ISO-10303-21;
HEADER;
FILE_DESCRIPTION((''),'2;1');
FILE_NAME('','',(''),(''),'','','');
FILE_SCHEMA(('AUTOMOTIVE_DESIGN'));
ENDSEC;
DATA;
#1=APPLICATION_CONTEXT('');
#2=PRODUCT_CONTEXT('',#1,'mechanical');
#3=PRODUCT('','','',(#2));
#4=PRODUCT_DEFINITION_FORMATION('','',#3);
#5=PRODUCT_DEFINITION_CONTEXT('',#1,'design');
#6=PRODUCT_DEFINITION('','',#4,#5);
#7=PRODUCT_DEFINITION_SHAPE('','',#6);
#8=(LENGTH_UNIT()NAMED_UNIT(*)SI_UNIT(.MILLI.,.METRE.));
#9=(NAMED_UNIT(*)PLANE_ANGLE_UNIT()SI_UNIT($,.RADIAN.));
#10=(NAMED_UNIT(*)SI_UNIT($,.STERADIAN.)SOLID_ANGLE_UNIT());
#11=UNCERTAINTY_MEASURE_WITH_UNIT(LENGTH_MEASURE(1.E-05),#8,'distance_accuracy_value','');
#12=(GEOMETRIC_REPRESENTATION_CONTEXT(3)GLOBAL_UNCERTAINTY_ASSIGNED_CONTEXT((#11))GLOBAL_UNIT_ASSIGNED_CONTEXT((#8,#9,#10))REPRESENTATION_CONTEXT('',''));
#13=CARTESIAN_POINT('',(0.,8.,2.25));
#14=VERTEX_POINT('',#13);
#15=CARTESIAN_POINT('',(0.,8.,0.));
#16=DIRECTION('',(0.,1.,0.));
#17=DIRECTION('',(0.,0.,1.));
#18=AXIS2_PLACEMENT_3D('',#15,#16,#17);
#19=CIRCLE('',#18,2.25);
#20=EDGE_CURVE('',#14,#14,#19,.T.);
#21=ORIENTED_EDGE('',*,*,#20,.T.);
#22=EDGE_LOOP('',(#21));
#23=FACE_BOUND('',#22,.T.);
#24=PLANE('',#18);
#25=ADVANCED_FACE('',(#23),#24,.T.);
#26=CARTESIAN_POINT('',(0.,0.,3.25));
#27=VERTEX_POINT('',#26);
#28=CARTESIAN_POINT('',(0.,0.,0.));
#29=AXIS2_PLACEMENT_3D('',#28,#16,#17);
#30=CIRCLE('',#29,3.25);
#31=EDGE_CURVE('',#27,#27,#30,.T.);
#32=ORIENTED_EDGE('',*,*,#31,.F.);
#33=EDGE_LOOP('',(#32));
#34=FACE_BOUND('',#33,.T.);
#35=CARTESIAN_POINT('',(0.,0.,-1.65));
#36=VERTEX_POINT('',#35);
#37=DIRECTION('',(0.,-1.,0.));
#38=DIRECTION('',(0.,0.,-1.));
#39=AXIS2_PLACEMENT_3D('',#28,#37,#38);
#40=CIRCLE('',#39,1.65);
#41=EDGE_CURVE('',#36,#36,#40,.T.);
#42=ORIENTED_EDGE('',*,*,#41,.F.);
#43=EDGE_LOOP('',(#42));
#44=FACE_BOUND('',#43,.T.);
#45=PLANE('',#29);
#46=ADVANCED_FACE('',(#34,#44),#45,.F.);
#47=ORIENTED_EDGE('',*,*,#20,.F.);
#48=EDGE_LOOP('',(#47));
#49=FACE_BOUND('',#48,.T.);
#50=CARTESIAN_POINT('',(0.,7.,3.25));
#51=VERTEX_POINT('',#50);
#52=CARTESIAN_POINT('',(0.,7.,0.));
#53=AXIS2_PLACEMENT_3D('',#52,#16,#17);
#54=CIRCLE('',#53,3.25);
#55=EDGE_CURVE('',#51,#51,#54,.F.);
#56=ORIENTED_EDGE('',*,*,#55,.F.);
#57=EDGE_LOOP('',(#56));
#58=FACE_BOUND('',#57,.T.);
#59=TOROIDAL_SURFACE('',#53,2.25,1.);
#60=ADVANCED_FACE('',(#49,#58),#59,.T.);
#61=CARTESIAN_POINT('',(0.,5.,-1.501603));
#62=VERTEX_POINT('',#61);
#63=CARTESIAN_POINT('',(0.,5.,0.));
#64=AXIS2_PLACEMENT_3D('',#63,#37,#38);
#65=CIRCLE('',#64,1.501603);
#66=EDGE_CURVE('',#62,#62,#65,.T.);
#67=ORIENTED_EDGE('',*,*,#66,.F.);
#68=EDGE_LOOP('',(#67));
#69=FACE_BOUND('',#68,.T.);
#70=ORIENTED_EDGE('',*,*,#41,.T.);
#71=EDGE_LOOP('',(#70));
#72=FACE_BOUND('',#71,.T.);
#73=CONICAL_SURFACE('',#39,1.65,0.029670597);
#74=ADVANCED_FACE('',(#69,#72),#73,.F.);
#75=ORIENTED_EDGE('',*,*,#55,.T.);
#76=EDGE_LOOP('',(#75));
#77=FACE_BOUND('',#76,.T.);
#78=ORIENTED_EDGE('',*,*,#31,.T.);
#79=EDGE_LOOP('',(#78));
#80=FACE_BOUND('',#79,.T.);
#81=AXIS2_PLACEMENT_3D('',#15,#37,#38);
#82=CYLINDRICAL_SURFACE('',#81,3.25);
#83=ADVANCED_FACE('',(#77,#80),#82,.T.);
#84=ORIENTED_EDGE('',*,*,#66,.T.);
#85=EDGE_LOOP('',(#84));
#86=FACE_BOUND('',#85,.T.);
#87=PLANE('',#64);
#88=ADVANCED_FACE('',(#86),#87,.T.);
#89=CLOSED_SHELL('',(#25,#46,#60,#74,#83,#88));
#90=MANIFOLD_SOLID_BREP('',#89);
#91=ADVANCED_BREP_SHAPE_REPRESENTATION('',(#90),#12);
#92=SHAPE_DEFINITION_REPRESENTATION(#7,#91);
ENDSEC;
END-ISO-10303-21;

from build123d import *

# Parameters (mm, degrees)
SKETCH1_R           = 3.25
BOSS_EXTRUDE1_DEPTH = 8
FILLET1_R           = 1
SKETCH2_R           = 1.65
CUT_EXTRUDE1_DEPTH  = 5
CUT_EXTRUDE1_DRAFT  = -1.7


with BuildPart() as part:
    # Sketch1 → Boss-Extrude1 (new body)
    with BuildSketch(Plane(origin=(0, 0, 0), x_dir=(1, 0, 0), z_dir=(0, 1, 0))):
        with Locations(Location((0, 0, 0), (0, 0, 270))):
            Circle(SKETCH1_R)
    extrude(amount=BOSS_EXTRUDE1_DEPTH)

    # Fillet1
    fillet1_edges = [part.edges().sort_by_distance(p)[0] for p in [
        (0, 8, -3.25),
    ]]
    fillet(fillet1_edges, radius=FILLET1_R)


with BuildPart() as cut_extrude1_tool:
    # Sketch2 → Cut-Extrude1 (with draft: the straight prism first)
    with BuildSketch(Plane.XZ):
        Circle(SKETCH2_R)
    extrude(amount=-CUT_EXTRUDE1_DEPTH)
    # Cut-Extrude1: the draft: its side faces are tilted about the plane it starts from
    cut_extrude1_sides = [cut_extrude1_tool.faces().sort_by_distance(p)[0] for p in [
        (-1.65, 2.5, 0),
    ]]
    draft(cut_extrude1_sides, Plane.XZ, CUT_EXTRUDE1_DRAFT)


with BuildPart() as part_1:
    add(part.part)

    # Cut-Extrude1: cut by cut_extrude1_tool
    add(cut_extrude1_tool.part, mode=Mode.SUBTRACT)


solid = part_1.part
